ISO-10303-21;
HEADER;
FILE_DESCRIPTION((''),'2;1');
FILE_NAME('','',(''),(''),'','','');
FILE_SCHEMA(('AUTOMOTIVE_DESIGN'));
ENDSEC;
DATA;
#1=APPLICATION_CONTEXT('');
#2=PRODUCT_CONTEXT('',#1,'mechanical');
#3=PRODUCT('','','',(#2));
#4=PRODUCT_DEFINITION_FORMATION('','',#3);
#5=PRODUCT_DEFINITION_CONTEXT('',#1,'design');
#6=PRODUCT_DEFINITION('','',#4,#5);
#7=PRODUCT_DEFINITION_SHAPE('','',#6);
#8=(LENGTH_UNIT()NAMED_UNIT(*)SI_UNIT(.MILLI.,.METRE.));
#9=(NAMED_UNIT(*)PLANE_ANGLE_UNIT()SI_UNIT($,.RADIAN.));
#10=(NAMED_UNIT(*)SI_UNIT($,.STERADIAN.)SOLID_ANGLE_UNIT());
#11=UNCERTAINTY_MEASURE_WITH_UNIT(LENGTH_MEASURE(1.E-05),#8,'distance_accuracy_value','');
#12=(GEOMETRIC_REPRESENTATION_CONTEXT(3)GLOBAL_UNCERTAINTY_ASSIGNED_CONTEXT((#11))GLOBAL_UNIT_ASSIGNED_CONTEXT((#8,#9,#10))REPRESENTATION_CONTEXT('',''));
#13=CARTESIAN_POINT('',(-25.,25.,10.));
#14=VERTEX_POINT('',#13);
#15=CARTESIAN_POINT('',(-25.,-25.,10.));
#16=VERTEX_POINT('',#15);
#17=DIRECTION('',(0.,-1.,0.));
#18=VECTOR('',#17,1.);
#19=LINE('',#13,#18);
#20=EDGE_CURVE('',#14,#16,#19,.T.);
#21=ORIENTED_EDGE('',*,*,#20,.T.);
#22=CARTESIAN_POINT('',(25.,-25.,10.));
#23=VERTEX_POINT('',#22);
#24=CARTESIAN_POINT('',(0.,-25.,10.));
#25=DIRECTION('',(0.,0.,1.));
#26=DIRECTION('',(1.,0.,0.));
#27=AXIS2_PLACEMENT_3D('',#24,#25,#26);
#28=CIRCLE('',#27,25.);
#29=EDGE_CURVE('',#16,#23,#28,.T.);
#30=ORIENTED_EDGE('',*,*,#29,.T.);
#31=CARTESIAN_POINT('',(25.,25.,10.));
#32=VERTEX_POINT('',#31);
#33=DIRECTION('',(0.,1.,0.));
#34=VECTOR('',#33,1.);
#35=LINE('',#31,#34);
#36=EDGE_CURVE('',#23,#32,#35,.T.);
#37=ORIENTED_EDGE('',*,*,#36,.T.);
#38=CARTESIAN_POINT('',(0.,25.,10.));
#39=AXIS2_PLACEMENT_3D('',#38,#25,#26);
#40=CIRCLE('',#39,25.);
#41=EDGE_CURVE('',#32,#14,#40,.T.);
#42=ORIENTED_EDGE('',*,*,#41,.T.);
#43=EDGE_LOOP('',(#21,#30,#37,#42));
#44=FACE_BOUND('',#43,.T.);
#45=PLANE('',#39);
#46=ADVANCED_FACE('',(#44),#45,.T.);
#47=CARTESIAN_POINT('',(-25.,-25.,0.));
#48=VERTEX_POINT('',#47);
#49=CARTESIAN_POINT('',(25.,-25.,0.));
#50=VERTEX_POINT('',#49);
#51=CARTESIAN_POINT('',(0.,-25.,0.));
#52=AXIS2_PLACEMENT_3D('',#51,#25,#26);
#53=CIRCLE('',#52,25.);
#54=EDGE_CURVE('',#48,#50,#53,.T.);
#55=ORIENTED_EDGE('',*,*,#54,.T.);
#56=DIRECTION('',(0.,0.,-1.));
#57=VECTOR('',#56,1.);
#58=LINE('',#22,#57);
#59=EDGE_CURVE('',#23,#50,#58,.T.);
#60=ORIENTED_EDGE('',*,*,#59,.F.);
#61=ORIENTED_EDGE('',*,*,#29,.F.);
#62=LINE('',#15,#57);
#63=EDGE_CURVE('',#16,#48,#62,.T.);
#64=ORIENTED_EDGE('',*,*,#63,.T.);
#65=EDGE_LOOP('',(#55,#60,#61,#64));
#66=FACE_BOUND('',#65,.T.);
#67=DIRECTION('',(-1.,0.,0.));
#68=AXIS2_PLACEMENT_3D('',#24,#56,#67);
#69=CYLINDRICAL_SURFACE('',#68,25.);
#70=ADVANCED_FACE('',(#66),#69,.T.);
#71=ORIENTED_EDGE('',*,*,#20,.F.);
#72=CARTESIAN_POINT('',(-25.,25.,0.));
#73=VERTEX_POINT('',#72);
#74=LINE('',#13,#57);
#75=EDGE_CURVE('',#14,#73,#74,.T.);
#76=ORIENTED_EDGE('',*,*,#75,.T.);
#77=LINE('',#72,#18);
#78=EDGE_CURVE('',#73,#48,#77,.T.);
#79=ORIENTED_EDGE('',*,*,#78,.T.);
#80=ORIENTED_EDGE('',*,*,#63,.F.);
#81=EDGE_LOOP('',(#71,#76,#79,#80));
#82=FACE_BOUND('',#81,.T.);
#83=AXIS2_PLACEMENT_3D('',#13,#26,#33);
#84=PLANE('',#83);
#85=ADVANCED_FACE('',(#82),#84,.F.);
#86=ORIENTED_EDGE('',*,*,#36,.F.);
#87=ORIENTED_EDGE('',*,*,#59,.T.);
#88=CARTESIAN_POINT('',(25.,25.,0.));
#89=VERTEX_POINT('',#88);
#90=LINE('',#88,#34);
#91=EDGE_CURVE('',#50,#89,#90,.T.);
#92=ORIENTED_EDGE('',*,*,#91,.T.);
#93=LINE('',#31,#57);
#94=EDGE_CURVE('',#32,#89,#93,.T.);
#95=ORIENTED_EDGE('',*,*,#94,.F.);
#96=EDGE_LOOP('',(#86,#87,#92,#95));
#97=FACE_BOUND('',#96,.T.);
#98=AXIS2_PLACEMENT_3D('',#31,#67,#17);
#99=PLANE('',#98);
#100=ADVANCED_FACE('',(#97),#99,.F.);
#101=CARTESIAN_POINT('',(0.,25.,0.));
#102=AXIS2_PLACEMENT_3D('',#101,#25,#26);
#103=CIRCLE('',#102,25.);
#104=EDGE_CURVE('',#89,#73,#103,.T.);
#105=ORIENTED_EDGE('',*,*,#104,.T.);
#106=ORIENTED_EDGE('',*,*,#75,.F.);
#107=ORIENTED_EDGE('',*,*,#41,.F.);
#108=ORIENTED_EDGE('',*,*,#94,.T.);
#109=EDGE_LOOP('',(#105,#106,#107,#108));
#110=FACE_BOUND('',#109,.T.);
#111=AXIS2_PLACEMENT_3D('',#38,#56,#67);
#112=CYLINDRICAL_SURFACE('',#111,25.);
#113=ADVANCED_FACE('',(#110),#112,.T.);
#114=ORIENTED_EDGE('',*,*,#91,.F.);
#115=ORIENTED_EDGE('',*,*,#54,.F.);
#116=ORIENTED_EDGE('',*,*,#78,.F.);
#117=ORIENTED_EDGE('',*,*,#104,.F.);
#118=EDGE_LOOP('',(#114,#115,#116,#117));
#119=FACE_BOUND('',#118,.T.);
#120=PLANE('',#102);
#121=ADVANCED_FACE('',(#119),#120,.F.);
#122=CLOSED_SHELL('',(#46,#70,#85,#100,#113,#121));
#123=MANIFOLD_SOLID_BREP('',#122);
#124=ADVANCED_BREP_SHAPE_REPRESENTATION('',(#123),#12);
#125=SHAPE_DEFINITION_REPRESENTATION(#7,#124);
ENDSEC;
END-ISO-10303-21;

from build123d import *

# Parameters (mm, degrees)
EXTRUDE_1_DEPTH = 10


with BuildPart() as part:
    # Эскиз2 → Бобышка-Вытянуть1 (new body)
    with BuildSketch(Plane.XY):
        with BuildLine():
            Line((25, 25), (25, -25))
            ThreePointArc((25, -25), (0, -50), (-25, -25))
            Line((-25, -25), (-25, 25))
            ThreePointArc((-25, 25), (0, 50), (25, 25))
        make_face()
    extrude(amount=EXTRUDE_1_DEPTH)


solid = part.part
